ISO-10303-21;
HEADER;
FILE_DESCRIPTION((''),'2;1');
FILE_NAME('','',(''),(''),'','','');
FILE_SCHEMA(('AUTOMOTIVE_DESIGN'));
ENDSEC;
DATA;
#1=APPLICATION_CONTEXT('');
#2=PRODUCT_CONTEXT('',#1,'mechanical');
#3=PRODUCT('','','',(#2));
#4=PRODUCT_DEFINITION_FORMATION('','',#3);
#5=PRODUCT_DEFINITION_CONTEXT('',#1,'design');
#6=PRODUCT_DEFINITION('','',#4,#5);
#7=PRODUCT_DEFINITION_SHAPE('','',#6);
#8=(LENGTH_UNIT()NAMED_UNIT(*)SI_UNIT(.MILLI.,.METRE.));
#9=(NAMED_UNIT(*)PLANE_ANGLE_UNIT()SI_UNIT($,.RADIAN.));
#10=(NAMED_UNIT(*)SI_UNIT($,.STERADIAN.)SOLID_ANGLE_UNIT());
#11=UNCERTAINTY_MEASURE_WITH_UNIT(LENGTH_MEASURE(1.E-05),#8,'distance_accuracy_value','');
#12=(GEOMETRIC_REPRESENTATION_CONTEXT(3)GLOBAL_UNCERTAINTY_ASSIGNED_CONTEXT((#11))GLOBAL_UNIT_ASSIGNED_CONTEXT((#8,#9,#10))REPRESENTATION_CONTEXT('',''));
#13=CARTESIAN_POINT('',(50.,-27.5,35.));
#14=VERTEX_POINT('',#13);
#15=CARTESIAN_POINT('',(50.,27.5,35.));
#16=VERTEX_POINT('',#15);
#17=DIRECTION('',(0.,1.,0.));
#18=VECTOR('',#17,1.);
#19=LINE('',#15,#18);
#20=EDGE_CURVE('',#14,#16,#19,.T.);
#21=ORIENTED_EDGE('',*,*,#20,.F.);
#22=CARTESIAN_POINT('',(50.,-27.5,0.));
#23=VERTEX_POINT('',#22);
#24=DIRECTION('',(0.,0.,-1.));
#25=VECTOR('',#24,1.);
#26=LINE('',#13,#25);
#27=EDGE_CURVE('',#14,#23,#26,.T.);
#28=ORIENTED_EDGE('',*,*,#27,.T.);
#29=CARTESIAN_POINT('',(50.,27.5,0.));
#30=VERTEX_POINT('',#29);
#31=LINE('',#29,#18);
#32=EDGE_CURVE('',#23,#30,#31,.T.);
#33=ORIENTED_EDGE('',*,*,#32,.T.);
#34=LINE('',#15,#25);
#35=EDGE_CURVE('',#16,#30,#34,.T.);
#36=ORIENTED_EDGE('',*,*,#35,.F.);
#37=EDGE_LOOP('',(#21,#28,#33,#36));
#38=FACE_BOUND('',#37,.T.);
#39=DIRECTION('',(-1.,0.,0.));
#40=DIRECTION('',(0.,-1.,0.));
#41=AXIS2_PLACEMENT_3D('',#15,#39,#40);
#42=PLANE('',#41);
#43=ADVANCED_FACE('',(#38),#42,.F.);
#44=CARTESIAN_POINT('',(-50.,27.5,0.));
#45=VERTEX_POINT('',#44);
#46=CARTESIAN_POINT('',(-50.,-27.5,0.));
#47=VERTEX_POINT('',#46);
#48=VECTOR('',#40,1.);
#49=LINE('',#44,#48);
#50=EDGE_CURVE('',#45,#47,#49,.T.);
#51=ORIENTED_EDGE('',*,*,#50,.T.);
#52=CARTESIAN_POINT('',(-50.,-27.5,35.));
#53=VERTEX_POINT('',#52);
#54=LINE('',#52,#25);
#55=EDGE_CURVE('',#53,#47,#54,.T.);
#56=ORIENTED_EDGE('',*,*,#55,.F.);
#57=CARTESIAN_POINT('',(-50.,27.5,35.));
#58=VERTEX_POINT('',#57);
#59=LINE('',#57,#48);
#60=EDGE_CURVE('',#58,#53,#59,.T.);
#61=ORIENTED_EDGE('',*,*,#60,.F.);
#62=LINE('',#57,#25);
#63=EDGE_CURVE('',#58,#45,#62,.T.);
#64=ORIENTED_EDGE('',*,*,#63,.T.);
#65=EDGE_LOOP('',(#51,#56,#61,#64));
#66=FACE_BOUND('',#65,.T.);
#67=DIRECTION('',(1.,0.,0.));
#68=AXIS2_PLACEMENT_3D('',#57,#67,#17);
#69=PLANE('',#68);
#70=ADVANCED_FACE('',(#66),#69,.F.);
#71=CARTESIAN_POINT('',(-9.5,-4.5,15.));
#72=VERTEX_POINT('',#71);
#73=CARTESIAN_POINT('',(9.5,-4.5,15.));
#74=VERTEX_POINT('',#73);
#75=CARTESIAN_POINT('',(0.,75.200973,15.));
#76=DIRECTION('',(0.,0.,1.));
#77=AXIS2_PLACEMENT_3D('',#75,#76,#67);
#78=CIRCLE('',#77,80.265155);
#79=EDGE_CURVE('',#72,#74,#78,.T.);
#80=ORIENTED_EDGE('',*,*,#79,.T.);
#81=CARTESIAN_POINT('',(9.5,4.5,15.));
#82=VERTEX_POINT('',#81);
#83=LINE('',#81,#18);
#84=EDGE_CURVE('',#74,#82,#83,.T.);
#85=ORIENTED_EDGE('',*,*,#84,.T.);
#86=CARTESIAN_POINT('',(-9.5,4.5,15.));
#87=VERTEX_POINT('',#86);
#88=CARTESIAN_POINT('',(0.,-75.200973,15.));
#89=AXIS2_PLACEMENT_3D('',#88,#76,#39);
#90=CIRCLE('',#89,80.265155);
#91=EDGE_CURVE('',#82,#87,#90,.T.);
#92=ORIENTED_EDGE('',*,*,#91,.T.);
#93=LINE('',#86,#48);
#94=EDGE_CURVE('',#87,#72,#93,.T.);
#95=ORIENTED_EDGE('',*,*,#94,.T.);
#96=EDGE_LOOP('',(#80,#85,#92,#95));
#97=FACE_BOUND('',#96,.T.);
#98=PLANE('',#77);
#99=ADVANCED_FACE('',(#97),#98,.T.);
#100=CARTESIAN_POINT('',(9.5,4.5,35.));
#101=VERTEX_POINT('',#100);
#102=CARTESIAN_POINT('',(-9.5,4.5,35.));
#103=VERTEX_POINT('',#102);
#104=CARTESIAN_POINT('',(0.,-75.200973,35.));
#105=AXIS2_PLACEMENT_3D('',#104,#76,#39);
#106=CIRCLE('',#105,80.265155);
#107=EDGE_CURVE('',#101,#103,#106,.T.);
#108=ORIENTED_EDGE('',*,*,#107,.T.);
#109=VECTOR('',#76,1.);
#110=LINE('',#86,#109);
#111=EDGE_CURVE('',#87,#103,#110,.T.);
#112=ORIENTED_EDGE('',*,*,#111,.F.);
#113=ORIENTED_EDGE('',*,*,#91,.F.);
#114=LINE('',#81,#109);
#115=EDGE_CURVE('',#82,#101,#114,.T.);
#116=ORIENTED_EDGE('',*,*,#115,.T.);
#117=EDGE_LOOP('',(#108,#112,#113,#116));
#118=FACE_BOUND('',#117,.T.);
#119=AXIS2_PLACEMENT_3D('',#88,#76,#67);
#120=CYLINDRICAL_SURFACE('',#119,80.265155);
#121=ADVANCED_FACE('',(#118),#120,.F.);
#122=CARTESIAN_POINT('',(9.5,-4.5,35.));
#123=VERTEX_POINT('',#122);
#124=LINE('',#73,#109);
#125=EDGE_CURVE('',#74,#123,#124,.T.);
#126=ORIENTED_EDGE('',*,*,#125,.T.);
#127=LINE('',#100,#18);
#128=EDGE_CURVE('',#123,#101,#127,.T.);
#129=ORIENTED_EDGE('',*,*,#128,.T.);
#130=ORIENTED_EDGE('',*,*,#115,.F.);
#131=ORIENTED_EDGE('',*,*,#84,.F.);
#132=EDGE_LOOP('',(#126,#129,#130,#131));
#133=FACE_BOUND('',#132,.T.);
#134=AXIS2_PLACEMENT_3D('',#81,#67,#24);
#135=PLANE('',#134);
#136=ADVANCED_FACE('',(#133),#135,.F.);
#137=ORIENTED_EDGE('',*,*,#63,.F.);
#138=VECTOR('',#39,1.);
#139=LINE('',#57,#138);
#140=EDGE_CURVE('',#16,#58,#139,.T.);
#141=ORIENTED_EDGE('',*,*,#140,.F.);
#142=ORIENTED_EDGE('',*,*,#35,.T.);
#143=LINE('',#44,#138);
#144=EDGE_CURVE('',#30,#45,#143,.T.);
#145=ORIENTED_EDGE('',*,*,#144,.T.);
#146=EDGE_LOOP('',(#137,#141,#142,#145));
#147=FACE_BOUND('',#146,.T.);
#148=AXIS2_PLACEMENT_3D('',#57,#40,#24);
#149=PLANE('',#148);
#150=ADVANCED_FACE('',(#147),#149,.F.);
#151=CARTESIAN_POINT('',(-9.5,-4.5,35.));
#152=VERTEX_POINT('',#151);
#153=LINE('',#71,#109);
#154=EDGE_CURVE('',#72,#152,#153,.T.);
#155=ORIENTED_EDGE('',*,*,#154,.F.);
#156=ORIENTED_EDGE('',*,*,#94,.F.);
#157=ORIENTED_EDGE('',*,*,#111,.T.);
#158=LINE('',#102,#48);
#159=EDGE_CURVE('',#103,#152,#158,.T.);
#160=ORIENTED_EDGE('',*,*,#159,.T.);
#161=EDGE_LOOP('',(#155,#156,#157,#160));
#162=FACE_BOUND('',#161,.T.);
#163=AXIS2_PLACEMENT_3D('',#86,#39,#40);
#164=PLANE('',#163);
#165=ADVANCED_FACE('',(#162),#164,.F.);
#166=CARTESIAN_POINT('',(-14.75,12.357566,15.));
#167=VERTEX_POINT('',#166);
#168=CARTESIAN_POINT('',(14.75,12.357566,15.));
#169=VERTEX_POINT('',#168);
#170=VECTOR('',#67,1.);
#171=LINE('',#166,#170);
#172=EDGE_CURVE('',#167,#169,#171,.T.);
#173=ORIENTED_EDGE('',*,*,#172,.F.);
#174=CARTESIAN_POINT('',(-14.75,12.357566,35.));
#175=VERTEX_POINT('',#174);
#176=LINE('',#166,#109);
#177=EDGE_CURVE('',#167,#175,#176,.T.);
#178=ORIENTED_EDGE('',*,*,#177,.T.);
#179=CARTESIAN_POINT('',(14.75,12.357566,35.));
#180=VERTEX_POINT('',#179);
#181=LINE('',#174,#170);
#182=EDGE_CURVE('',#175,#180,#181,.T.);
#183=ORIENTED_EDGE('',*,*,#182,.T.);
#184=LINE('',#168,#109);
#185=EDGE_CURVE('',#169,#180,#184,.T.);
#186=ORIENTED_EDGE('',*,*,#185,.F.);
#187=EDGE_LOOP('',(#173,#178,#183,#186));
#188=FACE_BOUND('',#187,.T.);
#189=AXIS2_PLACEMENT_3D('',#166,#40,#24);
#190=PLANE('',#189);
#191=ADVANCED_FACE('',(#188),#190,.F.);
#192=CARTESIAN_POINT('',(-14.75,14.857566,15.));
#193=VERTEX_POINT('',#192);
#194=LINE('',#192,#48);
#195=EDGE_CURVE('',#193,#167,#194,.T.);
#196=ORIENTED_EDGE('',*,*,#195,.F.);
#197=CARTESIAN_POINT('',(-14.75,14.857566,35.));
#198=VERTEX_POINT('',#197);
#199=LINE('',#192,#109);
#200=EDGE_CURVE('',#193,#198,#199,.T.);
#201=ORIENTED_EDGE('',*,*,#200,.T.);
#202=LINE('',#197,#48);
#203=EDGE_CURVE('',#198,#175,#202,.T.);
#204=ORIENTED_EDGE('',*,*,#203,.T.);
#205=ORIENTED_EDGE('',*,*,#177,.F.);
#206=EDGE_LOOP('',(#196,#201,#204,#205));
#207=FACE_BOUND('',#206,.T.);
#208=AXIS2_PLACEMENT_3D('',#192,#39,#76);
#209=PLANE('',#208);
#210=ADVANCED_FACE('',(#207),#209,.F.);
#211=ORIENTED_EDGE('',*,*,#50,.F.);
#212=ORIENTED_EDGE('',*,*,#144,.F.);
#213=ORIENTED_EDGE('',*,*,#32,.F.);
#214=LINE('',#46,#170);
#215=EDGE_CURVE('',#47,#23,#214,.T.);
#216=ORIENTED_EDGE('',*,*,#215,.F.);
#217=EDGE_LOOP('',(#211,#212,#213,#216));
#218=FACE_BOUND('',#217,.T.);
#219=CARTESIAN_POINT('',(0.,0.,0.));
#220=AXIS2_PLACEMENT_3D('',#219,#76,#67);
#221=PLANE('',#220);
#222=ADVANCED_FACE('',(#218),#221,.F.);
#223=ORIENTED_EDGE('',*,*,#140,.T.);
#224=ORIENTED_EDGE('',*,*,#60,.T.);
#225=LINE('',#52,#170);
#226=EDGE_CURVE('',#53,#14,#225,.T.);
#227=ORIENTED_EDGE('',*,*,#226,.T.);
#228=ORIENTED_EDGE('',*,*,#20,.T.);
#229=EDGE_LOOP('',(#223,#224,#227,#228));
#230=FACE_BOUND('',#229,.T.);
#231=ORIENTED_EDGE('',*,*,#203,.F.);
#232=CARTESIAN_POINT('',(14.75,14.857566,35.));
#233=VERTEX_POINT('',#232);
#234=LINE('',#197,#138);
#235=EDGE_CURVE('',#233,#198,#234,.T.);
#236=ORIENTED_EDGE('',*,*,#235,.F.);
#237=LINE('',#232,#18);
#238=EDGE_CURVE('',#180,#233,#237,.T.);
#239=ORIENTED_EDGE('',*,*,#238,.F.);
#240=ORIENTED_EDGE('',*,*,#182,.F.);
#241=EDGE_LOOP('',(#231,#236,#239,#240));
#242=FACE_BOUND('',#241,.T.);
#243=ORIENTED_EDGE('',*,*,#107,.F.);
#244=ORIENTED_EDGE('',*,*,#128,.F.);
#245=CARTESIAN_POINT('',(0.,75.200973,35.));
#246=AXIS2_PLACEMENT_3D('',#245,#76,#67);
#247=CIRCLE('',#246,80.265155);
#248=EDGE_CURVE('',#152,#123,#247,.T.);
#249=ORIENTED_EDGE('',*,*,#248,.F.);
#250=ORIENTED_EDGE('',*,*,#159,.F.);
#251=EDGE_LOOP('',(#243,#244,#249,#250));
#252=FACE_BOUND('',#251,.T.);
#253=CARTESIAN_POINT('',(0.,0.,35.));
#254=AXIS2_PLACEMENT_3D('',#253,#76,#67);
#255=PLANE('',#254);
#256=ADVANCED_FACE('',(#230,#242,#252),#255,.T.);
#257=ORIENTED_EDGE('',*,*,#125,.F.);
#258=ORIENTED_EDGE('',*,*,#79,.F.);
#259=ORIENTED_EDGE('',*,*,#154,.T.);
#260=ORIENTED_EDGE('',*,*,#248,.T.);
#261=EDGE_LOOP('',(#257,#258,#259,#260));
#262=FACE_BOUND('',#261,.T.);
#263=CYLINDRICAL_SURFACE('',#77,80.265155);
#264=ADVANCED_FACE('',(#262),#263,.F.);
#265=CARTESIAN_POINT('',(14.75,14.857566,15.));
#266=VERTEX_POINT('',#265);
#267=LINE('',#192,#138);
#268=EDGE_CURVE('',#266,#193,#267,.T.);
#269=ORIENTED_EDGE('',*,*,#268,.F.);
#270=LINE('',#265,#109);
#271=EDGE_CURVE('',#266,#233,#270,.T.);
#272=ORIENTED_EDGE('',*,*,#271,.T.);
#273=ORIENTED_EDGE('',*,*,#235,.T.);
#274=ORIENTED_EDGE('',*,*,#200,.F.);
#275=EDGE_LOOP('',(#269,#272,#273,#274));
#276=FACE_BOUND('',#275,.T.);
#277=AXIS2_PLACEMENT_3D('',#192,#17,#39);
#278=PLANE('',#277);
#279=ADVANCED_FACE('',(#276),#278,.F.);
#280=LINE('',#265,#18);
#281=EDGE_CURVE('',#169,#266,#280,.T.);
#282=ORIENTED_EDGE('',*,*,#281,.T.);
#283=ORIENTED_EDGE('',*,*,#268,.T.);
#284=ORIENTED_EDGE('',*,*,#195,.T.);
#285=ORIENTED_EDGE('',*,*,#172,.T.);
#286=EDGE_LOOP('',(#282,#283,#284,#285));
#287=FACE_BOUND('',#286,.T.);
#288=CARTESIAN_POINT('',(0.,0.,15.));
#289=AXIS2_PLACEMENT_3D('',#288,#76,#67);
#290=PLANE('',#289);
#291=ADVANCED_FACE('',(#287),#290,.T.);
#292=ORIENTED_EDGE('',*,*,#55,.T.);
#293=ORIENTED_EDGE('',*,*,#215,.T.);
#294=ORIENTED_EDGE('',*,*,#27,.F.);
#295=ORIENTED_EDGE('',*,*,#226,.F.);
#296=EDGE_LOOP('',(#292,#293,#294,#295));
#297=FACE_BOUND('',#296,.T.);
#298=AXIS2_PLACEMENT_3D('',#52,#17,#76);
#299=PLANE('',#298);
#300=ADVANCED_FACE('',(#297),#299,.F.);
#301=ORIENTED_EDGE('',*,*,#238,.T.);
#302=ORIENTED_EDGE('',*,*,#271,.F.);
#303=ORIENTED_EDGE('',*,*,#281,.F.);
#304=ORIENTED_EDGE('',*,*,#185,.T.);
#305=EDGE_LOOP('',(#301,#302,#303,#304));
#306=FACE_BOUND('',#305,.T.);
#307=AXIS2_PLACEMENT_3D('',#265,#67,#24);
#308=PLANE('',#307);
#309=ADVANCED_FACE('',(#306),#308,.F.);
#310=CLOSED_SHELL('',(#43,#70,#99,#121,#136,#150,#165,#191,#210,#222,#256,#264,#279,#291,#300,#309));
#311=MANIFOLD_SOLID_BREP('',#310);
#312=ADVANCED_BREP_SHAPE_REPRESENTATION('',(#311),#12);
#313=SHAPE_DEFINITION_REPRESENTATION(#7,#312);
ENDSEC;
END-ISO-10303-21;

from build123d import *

# Parameters (mm, degrees)
ESQUISSE1_W             = 100
ESQUISSE1_H             = 55
BOSS_EXTRU_1_DEPTH      = 35
ESQUISSE2_W             = 29.5
ESQUISSE2_H             = 2.5
ENL_V_MAT_EXTRU_1_DEPTH = 20


with BuildPart() as part:
    # Esquisse1 → Boss.-Extru.1 (new body)
    with BuildSketch(Plane.XY):
        Rectangle(ESQUISSE1_W, ESQUISSE1_H)
    extrude(amount=BOSS_EXTRU_1_DEPTH)

    # Esquisse2 → Enlèv. mat.-Extru.1 (cut)
    with BuildSketch(Plane.XY.offset(35)):
        with BuildLine():
            Line((-9.5, 4.5), (-9.5, -4.5))
            ThreePointArc((-9.5, -4.5), (0, -5.06418194), (9.5, -4.5))
            Line((9.5, -4.5), (9.5, 4.5))
            ThreePointArc((9.5, 4.5), (0, 5.06418194), (-9.5, 4.5))
        make_face()
        with Locations((0, 13.607565721)):
            Rectangle(ESQUISSE2_W, ESQUISSE2_H)
    extrude(amount=-ENL_V_MAT_EXTRU_1_DEPTH, mode=Mode.SUBTRACT)


solid = part.part
